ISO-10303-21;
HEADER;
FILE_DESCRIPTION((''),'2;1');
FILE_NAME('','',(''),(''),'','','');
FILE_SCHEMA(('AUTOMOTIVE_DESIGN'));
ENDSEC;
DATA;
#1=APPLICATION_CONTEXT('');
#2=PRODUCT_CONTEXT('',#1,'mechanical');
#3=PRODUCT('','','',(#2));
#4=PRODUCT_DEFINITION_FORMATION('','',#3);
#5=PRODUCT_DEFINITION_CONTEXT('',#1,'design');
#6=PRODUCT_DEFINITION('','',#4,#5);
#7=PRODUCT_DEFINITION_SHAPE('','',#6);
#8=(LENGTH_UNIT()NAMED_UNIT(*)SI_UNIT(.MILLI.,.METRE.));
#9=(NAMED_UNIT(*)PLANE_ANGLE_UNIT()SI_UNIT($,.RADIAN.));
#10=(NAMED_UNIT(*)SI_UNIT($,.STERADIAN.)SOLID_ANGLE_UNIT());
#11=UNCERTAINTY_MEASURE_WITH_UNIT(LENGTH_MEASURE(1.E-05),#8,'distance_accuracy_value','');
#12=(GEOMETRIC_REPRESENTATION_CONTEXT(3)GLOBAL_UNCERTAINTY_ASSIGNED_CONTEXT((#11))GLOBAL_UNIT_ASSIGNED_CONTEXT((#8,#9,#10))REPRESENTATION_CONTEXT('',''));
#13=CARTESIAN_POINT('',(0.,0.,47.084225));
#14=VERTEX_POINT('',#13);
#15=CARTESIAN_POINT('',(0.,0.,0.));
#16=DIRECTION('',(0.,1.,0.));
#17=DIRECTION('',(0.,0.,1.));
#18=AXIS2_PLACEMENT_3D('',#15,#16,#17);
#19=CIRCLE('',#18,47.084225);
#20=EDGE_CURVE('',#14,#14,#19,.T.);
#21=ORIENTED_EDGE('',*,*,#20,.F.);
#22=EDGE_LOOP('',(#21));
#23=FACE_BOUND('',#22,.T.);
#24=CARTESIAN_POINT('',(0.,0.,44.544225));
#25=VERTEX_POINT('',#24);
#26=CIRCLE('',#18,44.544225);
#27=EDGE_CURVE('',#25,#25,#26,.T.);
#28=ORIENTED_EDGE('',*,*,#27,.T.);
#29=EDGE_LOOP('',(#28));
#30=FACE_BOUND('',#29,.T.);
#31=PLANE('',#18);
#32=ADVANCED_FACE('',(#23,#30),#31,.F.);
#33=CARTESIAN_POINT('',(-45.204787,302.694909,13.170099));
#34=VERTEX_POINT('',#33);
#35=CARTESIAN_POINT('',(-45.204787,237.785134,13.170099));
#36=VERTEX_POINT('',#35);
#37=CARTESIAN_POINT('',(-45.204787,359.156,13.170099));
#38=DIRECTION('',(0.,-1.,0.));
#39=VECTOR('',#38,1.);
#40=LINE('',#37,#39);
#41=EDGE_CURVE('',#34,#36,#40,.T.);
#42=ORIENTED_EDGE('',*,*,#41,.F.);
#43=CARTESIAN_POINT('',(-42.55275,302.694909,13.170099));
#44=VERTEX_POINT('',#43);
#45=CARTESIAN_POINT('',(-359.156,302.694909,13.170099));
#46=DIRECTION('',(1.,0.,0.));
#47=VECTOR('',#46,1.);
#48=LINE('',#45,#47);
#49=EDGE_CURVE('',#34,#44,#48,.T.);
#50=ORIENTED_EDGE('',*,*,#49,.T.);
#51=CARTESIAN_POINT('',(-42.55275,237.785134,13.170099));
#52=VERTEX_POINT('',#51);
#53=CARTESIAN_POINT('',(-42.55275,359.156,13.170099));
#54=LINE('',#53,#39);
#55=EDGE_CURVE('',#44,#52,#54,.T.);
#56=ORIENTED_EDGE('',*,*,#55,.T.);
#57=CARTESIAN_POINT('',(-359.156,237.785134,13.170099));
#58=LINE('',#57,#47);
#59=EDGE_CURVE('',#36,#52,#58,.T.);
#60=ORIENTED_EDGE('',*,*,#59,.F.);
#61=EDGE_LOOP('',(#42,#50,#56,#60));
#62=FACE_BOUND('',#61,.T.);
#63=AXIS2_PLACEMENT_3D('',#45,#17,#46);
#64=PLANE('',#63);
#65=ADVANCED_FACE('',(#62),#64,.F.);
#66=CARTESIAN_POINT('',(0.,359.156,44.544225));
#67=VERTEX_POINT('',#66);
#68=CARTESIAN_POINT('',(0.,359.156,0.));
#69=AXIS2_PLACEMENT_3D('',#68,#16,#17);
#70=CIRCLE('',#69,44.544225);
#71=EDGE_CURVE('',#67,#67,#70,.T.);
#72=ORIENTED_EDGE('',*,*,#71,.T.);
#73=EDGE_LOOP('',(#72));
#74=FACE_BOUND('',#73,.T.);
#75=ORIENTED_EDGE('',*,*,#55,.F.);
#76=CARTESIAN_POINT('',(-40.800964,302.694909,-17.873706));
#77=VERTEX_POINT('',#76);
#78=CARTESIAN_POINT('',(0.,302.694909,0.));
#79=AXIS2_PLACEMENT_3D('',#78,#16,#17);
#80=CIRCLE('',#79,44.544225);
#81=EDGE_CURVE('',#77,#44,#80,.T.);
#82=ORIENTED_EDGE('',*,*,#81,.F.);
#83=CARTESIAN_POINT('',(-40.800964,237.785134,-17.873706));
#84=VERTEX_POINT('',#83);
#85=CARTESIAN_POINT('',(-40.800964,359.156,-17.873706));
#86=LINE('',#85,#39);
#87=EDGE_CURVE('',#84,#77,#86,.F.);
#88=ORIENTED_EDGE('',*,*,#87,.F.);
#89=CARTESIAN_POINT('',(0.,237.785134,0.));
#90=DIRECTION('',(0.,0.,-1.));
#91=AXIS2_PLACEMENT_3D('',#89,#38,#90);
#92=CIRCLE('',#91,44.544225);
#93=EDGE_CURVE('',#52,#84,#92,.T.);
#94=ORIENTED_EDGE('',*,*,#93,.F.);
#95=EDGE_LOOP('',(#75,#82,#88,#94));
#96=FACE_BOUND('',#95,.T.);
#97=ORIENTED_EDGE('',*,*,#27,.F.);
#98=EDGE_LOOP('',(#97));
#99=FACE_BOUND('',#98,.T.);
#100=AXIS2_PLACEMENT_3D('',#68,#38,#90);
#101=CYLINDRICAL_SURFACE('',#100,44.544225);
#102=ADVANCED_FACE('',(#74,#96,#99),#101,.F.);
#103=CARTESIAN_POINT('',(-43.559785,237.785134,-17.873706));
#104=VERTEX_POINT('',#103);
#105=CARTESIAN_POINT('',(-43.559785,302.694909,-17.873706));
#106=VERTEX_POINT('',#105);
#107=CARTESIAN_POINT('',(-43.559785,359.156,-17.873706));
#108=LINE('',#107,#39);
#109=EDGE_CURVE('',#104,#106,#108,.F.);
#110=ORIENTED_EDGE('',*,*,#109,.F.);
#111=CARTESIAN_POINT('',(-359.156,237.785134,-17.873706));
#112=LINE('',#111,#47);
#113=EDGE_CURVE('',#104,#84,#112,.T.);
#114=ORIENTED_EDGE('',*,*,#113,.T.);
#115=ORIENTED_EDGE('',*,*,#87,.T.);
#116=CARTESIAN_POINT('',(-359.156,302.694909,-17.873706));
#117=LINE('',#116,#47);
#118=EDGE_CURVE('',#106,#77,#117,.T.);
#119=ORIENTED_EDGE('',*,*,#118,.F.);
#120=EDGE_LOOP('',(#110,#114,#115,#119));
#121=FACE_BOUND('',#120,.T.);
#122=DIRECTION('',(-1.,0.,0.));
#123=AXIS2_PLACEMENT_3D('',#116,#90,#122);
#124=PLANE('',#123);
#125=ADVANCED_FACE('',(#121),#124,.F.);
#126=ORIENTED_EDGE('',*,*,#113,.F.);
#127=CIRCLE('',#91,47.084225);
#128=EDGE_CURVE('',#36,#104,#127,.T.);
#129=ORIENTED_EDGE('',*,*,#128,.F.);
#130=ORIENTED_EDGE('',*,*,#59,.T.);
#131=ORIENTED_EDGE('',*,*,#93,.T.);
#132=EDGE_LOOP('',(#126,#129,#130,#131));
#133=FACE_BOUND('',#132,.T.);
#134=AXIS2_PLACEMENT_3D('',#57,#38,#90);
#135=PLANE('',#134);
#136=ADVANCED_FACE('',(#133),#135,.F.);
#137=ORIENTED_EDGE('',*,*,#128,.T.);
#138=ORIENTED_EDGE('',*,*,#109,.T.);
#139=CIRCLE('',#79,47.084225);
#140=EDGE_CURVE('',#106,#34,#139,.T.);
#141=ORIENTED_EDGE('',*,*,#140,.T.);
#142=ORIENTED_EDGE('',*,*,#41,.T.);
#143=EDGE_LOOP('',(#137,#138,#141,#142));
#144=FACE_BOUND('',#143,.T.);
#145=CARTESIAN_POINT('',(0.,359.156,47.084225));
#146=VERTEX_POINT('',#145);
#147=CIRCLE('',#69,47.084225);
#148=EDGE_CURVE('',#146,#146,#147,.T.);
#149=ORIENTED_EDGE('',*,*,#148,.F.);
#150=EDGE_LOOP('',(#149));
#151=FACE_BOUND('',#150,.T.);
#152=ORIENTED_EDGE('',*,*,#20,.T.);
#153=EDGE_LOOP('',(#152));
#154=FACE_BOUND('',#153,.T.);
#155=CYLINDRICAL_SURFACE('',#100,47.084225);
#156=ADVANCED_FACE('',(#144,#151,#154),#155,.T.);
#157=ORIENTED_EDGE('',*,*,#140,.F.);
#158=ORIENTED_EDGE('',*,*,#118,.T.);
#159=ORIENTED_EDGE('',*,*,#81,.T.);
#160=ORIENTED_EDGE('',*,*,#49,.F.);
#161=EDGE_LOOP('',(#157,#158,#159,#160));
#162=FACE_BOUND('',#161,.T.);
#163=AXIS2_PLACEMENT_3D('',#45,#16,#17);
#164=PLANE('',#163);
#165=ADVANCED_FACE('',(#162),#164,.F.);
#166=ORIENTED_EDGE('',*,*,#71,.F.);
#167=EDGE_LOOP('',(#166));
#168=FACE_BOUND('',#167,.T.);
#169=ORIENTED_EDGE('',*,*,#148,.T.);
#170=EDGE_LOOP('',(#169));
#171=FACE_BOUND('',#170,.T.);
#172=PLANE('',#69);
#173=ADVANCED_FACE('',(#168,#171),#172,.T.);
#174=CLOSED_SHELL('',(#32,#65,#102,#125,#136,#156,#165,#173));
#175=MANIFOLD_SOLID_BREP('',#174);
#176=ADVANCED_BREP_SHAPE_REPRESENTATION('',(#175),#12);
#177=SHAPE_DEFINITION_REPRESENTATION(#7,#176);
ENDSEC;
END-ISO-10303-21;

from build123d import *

# Parameters (mm, degrees)
SKETCH1_R           = 47.084225238
BOSS_EXTRUDE1_DEPTH = 359.156
SHELL1_T            = -2.54
SKETCH2_W           = 31.043805041
SKETCH2_H           = 64.909774176
CUT_EXTRUDE1_DEPTH  = 359.156


with BuildPart() as part:
    # Sketch1 → Boss-Extrude1 (new body)
    with BuildSketch(Plane(origin=(0, 0, 0), x_dir=(1, 0, 0), z_dir=(0, 1, 0))):
        with Locations(Location((0, 0, 0), (0, 0, 270))):
            Circle(SKETCH1_R)
    extrude(amount=BOSS_EXTRUDE1_DEPTH)

    # Shell1
    shell1_openings = [part.faces().sort_by_distance(p)[0] for p in [
        (0, 359.156, 0),
        (0, 0, 0),
    ]]
    offset(amount=SHELL1_T, openings=shell1_openings, kind=Kind.INTERSECTION)

    # Sketch2 → Cut-Extrude1 (cut)
    with BuildSketch(Plane(origin=(0, 0, 0), x_dir=(0, 0, -1), z_dir=(1, 0, 0))):
        with Locations((2.351803412, 270.240021539)):
            Rectangle(SKETCH2_W, SKETCH2_H)
    extrude(amount=-CUT_EXTRUDE1_DEPTH, mode=Mode.SUBTRACT)


solid = part.part
